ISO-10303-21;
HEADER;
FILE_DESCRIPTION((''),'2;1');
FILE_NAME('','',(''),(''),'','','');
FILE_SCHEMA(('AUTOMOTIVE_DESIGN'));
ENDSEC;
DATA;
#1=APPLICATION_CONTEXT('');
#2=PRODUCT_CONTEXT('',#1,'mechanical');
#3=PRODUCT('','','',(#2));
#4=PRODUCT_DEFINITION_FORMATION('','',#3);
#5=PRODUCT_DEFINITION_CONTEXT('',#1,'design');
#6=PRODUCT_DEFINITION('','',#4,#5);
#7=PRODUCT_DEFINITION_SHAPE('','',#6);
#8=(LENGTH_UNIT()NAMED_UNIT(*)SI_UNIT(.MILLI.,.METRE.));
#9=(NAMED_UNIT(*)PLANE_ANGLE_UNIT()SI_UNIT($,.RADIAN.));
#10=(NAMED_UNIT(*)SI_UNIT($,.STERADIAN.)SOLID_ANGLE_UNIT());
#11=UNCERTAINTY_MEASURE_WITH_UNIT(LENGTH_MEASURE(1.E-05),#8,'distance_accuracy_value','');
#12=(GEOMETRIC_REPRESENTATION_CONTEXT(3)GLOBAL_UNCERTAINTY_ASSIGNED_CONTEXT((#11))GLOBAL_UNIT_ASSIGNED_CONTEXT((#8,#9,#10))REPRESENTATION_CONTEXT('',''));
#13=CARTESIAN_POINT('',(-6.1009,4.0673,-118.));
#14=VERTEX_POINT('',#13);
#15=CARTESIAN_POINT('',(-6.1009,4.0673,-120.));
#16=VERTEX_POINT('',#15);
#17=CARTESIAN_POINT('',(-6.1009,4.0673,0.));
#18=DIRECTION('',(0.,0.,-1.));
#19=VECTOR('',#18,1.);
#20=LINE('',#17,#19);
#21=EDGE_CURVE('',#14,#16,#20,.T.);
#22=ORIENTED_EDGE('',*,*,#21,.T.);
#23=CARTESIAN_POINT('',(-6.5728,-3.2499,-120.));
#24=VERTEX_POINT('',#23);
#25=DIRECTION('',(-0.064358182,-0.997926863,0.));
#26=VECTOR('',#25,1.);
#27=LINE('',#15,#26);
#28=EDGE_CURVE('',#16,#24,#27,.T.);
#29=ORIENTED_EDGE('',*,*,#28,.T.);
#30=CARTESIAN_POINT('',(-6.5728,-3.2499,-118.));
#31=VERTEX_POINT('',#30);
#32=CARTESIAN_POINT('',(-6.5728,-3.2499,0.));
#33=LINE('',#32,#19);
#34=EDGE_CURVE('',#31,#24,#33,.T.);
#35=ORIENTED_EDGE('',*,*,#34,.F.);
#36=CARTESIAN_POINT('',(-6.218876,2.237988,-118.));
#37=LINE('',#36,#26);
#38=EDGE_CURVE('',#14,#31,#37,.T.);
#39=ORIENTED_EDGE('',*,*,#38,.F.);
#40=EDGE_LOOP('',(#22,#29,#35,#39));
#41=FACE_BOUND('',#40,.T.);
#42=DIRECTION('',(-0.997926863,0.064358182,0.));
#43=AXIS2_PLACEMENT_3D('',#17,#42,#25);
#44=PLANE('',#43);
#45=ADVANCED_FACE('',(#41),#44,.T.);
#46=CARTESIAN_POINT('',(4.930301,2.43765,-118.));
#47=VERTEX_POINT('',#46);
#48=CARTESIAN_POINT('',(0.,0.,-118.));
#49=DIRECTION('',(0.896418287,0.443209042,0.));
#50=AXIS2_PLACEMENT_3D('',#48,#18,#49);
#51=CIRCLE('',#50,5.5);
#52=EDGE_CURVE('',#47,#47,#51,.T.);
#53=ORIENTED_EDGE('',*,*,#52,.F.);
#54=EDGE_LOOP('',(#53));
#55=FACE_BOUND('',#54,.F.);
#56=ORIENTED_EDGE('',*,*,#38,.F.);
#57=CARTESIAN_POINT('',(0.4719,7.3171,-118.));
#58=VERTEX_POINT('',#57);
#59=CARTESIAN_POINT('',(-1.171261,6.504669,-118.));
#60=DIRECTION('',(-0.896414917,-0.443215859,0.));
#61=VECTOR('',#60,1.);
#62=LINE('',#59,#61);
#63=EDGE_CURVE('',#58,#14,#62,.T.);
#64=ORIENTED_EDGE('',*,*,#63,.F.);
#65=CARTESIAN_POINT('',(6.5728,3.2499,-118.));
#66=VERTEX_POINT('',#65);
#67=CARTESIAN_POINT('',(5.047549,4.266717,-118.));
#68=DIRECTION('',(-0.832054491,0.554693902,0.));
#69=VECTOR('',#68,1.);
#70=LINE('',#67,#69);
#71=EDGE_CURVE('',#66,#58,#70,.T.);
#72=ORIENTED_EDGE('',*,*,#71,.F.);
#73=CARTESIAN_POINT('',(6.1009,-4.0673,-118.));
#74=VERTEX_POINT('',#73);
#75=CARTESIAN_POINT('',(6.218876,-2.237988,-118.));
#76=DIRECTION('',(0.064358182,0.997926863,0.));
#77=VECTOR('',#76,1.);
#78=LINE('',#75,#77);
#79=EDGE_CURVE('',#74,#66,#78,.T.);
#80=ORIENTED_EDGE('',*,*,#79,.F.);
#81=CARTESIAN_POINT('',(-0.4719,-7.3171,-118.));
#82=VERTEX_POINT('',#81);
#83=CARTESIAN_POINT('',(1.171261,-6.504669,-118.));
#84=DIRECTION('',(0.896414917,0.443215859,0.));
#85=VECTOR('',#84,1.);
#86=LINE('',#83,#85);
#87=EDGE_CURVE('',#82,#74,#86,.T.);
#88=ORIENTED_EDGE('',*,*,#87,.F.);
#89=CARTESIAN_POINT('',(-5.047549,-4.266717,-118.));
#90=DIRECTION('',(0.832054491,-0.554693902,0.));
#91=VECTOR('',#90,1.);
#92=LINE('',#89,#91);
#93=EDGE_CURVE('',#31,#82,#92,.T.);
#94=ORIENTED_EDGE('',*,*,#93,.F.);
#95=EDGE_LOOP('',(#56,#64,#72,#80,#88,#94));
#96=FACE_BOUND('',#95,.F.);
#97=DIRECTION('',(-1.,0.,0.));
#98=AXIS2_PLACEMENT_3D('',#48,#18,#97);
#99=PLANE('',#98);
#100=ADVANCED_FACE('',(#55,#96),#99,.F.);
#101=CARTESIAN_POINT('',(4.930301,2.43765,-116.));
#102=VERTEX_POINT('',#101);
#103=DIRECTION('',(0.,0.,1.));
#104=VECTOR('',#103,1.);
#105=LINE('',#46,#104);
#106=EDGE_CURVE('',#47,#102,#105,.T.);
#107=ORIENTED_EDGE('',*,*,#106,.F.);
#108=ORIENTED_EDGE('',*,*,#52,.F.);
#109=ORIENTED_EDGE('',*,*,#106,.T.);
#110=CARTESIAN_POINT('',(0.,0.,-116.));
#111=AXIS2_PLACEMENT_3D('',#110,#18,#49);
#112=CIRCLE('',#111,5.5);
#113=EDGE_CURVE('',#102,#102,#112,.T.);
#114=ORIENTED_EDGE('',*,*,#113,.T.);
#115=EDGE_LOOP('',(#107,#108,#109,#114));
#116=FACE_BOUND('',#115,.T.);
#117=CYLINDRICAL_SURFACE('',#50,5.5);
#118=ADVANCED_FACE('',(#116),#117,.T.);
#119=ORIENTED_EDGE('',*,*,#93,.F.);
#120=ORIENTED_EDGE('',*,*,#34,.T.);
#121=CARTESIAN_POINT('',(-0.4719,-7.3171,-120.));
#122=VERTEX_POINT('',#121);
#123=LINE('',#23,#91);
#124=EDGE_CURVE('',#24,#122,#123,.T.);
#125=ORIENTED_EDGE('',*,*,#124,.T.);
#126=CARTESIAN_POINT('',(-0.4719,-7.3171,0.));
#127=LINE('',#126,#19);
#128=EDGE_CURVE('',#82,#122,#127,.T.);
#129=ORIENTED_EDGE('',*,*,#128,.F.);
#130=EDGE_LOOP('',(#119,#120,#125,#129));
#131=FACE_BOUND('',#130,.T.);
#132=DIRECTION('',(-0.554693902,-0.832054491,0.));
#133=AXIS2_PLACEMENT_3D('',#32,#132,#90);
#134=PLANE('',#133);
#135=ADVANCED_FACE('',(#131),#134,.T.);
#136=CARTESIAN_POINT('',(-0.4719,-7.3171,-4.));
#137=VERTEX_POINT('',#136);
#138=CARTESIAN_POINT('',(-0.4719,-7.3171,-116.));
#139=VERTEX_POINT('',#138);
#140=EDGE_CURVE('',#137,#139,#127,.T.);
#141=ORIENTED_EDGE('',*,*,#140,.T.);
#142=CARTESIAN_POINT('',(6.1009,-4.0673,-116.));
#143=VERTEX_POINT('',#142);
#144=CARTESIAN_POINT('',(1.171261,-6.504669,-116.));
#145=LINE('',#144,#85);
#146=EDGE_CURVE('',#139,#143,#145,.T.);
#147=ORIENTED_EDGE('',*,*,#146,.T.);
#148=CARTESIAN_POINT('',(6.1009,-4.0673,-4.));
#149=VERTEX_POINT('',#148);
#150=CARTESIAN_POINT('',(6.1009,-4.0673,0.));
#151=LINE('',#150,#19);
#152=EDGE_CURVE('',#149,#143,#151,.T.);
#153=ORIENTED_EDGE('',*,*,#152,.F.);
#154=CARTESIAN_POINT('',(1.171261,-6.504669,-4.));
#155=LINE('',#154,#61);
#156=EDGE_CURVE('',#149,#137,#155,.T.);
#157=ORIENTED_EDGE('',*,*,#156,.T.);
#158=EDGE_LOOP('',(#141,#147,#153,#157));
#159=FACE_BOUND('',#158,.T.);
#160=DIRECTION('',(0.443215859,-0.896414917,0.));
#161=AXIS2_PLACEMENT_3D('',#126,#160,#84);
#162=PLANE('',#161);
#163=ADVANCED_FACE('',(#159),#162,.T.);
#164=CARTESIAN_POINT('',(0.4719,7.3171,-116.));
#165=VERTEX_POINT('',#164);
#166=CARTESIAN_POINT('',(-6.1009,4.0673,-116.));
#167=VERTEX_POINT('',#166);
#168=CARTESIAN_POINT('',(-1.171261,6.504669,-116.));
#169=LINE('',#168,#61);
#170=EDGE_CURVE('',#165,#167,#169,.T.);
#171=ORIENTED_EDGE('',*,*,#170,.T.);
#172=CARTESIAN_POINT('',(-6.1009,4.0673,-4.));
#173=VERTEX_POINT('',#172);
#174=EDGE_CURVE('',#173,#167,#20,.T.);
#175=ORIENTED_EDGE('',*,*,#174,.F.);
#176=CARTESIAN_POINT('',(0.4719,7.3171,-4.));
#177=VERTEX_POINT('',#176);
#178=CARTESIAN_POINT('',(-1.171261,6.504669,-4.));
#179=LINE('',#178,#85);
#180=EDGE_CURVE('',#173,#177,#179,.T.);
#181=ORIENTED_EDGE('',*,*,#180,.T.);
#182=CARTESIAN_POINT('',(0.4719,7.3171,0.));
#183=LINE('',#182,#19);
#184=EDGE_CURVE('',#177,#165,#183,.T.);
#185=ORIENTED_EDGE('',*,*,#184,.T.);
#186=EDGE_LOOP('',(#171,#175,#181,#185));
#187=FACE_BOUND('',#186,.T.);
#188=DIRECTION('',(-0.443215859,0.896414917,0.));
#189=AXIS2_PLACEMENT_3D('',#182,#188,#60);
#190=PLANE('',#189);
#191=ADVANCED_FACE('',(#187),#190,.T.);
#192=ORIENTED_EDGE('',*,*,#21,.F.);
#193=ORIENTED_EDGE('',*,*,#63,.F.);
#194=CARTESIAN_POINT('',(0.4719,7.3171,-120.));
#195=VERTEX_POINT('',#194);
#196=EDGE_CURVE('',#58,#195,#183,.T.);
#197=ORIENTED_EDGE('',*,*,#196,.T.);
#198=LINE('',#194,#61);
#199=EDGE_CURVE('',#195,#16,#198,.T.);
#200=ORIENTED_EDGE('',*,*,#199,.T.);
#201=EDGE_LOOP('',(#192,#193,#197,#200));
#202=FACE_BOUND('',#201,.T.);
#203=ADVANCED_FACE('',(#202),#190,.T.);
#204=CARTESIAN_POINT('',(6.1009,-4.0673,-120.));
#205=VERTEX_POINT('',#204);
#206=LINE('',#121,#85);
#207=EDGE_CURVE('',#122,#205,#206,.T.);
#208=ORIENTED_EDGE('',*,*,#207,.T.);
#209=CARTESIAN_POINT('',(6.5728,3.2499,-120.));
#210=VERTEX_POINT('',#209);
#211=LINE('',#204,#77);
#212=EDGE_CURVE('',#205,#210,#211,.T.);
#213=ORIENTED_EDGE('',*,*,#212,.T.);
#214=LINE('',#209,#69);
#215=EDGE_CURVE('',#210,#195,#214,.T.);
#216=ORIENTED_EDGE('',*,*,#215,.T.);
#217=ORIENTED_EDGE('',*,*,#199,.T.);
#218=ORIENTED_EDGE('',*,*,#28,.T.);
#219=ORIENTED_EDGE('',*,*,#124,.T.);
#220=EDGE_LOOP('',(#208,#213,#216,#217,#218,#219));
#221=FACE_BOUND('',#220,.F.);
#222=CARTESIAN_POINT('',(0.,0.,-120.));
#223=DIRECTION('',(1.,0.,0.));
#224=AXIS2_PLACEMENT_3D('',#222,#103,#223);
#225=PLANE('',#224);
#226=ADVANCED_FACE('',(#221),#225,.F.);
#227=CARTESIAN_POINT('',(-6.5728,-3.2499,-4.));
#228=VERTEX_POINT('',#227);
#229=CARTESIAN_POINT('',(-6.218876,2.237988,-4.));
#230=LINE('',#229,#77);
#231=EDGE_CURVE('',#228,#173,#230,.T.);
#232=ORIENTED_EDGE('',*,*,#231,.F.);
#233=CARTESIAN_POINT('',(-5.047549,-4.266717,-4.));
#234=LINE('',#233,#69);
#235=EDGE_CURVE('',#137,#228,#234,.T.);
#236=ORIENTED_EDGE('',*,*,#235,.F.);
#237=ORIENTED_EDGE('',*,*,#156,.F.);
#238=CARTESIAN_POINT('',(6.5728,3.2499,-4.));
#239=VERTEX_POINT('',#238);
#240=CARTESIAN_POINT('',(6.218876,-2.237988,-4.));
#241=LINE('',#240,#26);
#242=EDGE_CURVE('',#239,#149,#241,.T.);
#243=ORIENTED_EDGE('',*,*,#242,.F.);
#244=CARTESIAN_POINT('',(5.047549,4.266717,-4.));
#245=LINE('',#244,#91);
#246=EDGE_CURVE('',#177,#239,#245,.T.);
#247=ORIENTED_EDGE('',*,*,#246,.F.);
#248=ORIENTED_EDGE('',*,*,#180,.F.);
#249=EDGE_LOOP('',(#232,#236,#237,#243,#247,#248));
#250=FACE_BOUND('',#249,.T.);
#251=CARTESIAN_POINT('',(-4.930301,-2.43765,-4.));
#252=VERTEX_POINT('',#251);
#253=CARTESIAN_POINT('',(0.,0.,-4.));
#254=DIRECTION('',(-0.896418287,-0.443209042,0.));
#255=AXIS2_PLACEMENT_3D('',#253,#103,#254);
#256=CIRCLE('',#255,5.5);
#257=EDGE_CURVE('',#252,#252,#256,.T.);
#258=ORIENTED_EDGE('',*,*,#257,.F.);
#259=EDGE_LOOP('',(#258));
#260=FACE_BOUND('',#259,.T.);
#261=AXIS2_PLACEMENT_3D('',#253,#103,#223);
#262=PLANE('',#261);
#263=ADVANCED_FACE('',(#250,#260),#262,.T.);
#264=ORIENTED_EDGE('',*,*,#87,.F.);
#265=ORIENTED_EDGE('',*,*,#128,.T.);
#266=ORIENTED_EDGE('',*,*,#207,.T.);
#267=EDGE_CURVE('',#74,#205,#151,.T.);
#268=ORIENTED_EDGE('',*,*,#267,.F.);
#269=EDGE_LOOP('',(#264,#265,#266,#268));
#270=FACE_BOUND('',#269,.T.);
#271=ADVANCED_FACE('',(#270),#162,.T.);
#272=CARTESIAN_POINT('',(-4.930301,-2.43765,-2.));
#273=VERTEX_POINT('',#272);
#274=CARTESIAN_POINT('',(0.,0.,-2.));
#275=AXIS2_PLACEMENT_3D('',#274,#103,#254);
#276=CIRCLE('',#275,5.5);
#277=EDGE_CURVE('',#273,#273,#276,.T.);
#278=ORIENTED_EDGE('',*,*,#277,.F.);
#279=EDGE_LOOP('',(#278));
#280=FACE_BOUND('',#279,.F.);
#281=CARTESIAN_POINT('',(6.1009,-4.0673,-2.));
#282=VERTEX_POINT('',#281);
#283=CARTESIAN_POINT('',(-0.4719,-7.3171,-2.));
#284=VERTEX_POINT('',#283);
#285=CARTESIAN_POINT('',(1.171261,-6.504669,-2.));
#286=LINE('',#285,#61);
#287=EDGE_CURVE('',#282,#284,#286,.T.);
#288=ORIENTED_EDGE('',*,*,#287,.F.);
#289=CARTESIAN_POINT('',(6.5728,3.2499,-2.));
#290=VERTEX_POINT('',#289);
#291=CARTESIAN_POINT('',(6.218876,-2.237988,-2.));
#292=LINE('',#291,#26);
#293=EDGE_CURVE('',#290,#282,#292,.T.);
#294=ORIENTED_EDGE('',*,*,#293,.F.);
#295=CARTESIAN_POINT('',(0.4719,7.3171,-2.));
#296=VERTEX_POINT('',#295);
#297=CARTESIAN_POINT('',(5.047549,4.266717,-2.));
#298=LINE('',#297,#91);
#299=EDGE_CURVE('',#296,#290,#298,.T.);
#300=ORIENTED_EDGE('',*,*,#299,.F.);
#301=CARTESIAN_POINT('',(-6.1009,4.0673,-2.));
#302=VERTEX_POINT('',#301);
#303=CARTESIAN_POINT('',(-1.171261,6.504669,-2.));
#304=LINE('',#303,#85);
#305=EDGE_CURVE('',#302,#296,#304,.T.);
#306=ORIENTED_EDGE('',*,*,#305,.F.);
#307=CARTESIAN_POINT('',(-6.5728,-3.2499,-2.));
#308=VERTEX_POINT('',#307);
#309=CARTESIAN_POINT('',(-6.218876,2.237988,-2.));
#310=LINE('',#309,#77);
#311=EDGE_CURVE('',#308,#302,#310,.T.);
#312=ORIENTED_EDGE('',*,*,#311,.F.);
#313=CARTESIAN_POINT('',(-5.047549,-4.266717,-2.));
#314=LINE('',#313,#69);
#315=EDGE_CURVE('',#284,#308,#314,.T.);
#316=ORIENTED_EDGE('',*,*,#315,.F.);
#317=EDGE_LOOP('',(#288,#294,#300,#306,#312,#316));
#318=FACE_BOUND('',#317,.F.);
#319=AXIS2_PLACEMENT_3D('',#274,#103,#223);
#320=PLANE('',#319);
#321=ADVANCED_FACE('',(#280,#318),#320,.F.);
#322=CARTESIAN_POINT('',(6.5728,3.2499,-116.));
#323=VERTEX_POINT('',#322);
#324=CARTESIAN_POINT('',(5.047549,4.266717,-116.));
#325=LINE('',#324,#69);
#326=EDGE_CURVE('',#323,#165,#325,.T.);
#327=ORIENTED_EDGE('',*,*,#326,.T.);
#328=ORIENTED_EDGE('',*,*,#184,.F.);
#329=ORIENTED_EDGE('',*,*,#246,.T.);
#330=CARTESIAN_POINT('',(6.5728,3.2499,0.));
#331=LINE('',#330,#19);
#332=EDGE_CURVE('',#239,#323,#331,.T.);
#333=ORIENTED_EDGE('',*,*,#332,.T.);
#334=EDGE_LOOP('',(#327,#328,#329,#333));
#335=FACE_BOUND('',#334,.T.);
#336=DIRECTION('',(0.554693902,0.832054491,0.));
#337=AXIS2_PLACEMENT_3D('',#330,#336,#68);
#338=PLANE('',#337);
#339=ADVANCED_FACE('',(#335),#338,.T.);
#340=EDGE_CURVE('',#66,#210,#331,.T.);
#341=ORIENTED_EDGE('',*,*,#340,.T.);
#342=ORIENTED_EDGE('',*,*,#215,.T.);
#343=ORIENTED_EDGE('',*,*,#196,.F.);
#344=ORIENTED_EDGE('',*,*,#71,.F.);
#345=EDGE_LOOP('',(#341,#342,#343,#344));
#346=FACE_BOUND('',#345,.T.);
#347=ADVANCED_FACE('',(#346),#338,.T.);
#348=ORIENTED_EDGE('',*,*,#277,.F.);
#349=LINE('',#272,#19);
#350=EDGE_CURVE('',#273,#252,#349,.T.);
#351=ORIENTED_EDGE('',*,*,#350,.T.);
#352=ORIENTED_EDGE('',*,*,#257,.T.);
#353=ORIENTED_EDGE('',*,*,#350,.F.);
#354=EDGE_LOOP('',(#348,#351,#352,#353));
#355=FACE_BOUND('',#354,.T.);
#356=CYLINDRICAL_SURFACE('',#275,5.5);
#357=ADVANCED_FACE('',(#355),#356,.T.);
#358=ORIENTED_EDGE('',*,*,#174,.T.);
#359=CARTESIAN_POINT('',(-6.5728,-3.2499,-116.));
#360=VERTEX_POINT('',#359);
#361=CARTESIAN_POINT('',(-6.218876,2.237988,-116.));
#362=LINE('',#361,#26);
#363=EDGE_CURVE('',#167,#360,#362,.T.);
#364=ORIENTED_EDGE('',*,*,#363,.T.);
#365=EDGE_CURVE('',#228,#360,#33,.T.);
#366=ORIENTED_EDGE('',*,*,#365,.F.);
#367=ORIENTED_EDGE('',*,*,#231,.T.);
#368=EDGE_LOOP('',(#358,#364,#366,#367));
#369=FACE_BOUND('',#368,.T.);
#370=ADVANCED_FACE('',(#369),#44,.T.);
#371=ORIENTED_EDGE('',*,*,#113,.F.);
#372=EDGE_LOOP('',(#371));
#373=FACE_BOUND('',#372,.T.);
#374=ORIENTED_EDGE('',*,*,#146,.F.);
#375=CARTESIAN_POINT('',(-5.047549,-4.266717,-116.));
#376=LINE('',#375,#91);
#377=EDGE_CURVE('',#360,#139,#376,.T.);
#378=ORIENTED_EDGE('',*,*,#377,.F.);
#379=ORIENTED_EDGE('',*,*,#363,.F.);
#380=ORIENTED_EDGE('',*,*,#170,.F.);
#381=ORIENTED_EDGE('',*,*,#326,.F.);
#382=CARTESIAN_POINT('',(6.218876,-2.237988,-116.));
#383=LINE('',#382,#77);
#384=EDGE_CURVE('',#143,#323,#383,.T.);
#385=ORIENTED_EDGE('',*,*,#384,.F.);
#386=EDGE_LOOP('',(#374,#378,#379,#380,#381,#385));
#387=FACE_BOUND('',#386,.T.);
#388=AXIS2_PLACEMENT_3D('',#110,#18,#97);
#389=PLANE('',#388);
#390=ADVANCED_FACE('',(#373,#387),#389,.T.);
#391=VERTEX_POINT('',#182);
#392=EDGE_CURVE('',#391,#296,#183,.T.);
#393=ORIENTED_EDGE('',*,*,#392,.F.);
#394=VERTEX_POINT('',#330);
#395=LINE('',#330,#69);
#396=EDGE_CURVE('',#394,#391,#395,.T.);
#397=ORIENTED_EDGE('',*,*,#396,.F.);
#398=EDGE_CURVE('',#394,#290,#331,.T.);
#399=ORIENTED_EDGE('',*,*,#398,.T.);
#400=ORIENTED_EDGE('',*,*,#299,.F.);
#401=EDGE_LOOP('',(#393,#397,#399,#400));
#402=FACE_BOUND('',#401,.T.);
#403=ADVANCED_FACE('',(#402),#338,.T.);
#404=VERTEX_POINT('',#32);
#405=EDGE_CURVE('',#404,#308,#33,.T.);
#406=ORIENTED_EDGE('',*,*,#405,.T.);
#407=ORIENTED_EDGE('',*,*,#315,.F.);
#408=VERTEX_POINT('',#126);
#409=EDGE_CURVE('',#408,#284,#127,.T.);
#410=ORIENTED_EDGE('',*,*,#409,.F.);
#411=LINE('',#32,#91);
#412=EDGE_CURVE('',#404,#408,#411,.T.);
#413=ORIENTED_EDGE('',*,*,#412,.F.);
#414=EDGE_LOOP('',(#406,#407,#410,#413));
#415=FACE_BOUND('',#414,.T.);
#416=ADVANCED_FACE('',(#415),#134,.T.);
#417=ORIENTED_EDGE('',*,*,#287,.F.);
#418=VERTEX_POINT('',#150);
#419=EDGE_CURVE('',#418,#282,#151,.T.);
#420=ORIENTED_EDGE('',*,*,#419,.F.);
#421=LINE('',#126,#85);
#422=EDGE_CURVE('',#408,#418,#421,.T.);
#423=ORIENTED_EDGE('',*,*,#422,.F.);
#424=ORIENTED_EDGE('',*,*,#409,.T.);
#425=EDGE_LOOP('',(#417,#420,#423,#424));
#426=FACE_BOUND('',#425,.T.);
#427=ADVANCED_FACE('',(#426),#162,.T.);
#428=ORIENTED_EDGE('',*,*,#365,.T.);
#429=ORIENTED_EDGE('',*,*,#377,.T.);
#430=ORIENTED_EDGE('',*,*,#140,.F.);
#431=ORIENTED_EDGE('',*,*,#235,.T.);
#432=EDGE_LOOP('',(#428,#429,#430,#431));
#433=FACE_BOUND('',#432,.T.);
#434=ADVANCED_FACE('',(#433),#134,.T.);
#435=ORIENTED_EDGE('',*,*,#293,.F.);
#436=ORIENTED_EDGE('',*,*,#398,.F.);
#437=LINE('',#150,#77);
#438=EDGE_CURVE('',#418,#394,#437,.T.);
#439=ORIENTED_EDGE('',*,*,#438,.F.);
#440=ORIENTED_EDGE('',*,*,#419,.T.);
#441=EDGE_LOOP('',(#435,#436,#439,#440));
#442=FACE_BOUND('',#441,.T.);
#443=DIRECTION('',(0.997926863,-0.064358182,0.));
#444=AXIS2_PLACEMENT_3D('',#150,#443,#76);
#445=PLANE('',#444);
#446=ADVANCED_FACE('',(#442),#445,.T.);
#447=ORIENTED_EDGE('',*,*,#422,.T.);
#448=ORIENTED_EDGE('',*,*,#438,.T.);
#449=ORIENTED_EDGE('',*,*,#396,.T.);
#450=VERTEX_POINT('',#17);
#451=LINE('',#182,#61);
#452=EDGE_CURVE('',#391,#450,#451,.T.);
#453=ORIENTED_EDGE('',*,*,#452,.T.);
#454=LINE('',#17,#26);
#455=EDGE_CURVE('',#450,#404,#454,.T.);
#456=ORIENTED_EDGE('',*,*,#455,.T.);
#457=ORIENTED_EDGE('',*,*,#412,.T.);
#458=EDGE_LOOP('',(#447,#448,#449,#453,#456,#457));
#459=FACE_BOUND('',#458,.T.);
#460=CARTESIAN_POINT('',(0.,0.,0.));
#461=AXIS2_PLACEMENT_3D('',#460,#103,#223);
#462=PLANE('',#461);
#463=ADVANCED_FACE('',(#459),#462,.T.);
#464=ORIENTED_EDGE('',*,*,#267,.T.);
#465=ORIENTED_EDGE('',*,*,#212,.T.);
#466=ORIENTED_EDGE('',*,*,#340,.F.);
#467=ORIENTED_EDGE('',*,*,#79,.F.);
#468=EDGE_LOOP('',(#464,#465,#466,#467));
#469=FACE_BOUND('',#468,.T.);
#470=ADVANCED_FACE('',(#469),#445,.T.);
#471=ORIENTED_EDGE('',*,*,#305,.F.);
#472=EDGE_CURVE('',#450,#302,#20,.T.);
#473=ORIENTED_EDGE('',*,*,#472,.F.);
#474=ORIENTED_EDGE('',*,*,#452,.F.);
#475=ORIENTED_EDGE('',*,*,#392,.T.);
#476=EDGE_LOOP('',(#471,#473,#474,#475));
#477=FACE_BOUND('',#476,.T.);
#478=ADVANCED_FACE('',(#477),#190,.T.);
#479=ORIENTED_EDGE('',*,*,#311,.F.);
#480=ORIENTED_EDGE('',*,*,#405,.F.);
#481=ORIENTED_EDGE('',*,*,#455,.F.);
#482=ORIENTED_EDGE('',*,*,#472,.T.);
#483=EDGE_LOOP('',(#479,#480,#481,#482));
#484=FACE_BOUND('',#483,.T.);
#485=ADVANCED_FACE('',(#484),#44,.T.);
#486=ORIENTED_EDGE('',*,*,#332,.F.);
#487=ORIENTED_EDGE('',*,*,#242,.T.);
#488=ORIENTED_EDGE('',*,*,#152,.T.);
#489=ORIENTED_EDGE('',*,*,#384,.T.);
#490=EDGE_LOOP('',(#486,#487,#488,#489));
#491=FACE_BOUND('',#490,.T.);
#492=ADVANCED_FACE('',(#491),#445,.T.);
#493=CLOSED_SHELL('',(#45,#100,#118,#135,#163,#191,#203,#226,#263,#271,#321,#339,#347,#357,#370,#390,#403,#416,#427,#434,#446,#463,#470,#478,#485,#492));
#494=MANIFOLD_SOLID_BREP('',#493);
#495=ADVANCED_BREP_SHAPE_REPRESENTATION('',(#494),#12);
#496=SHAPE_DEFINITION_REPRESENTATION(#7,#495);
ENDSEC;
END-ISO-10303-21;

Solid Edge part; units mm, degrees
sketch "Sketch1" plane through (0, 0, 0) normal (0, 0, 1) x (1, 0, 0)
  line L0 (-6.1009, 4.0673) -> (-6.5728, -3.2499)
  line L1 (-6.5728, -3.2499) -> (-0.4719, -7.3171)
  line L2 (-0.4719, -7.3171) -> (6.1009, -4.0673)
  line L3 (6.1009, -4.0673) -> (6.5728, 3.2499)
  line L4 (6.5728, 3.2499) -> (0.4719, 7.3171)
  line L5 (0.4719, 7.3171) -> (-6.1009, 4.0673)
extrude "Protrusion1" add sketch "Sketch1" against normal blind 120
sketch "Sketch2" plane through (0, 0, -2) normal (0, 0, 1) x (-0.8964, -0.4432, 0)
  circle A0 centre (0, 0) radius 5.5
  circle A1 centre (0, 0) radius 13.1424
extrude "ExtrudedCutout_1" cut sketch "Sketch2" against normal blind 2
sketch "Sketch3" plane through (0, 0, -118) normal (0, 0, -1) x (0.8964, 0.4432, 0)
  circle A0 centre (0, 0) radius 5.5
  circle A1 centre (0, 0) radius 13.1424
extrude "ExtrudedCutout_2" cut sketch "Sketch3" against normal blind 2
properties part number "BumbleB0452"
